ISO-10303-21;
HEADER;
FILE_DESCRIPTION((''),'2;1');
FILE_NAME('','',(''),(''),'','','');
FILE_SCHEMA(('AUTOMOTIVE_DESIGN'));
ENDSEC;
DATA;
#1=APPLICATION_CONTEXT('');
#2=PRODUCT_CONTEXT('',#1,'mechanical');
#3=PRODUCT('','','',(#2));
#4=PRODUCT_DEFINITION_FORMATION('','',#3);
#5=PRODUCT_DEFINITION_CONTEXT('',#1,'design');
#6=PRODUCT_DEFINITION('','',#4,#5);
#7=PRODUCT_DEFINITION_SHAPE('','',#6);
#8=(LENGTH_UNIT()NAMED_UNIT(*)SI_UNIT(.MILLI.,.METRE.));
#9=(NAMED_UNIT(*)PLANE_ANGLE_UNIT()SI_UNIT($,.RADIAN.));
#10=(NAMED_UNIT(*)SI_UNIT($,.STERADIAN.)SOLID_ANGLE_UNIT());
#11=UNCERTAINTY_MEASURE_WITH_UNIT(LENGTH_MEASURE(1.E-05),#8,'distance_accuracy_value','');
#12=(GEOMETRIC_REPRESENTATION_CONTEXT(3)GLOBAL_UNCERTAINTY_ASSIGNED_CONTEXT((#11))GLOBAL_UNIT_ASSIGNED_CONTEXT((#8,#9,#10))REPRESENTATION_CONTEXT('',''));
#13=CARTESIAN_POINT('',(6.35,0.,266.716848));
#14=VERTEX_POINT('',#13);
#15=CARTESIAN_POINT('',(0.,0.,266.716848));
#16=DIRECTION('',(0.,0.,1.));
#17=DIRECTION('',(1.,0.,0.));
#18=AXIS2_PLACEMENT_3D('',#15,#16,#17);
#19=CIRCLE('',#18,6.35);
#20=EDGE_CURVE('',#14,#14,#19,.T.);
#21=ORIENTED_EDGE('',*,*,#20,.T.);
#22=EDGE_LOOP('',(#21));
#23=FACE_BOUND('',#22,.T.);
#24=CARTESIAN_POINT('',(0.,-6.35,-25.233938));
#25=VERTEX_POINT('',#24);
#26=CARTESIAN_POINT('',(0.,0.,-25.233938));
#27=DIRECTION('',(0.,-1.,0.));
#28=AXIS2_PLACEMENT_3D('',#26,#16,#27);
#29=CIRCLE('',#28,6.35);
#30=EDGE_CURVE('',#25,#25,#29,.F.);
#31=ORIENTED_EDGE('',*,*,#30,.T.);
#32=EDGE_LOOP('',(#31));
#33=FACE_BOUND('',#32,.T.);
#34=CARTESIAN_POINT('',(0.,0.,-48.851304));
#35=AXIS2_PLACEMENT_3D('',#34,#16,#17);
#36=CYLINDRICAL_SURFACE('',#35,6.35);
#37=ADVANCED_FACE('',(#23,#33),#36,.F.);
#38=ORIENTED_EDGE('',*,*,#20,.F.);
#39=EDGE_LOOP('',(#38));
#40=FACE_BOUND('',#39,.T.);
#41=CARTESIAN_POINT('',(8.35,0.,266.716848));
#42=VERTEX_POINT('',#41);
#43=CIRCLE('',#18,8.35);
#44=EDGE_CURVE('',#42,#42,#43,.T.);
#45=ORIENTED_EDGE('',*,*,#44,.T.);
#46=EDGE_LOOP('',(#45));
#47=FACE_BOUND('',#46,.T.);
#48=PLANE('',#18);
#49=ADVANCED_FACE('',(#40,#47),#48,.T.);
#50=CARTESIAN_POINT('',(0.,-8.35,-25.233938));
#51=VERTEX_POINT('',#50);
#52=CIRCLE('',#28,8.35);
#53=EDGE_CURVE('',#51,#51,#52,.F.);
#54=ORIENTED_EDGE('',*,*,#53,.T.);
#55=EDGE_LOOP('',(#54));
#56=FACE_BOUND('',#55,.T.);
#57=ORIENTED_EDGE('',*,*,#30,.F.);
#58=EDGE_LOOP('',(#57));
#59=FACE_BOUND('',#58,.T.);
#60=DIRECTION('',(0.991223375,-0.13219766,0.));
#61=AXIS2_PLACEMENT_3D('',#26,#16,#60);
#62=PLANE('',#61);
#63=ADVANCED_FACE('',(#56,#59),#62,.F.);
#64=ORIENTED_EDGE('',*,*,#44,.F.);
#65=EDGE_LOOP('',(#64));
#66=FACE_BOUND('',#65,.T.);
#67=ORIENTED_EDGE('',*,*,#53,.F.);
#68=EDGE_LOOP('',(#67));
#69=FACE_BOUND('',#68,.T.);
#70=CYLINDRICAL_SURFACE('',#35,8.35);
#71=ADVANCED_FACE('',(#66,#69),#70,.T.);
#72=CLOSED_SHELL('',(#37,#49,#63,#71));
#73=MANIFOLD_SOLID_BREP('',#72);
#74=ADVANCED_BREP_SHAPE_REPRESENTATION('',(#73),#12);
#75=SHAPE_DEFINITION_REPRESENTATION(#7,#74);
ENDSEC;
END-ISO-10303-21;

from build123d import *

# Parameters (mm, degrees)
SZKIC1_R                         = 8.35
SZKIC1_R_2                       = 6.35
DODANIE_WYCI_GNI_CIE1_DEPTH      = 266.716847891
DODANIE_WYCI_GNI_CIE1_DEPTH_BACK = 25.233938


with BuildPart() as part:
    # Szkic1 → Dodanie-wyciągnięcie1 (new body, two sides)
    with BuildSketch(Plane.XY) as dodanie_wyci_gni_cie1_sk:
        Circle(SZKIC1_R)
        Circle(SZKIC1_R_2, mode=Mode.SUBTRACT)
    extrude(amount=DODANIE_WYCI_GNI_CIE1_DEPTH)
    extrude(dodanie_wyci_gni_cie1_sk.sketch, amount=-DODANIE_WYCI_GNI_CIE1_DEPTH_BACK)


solid = part.part
